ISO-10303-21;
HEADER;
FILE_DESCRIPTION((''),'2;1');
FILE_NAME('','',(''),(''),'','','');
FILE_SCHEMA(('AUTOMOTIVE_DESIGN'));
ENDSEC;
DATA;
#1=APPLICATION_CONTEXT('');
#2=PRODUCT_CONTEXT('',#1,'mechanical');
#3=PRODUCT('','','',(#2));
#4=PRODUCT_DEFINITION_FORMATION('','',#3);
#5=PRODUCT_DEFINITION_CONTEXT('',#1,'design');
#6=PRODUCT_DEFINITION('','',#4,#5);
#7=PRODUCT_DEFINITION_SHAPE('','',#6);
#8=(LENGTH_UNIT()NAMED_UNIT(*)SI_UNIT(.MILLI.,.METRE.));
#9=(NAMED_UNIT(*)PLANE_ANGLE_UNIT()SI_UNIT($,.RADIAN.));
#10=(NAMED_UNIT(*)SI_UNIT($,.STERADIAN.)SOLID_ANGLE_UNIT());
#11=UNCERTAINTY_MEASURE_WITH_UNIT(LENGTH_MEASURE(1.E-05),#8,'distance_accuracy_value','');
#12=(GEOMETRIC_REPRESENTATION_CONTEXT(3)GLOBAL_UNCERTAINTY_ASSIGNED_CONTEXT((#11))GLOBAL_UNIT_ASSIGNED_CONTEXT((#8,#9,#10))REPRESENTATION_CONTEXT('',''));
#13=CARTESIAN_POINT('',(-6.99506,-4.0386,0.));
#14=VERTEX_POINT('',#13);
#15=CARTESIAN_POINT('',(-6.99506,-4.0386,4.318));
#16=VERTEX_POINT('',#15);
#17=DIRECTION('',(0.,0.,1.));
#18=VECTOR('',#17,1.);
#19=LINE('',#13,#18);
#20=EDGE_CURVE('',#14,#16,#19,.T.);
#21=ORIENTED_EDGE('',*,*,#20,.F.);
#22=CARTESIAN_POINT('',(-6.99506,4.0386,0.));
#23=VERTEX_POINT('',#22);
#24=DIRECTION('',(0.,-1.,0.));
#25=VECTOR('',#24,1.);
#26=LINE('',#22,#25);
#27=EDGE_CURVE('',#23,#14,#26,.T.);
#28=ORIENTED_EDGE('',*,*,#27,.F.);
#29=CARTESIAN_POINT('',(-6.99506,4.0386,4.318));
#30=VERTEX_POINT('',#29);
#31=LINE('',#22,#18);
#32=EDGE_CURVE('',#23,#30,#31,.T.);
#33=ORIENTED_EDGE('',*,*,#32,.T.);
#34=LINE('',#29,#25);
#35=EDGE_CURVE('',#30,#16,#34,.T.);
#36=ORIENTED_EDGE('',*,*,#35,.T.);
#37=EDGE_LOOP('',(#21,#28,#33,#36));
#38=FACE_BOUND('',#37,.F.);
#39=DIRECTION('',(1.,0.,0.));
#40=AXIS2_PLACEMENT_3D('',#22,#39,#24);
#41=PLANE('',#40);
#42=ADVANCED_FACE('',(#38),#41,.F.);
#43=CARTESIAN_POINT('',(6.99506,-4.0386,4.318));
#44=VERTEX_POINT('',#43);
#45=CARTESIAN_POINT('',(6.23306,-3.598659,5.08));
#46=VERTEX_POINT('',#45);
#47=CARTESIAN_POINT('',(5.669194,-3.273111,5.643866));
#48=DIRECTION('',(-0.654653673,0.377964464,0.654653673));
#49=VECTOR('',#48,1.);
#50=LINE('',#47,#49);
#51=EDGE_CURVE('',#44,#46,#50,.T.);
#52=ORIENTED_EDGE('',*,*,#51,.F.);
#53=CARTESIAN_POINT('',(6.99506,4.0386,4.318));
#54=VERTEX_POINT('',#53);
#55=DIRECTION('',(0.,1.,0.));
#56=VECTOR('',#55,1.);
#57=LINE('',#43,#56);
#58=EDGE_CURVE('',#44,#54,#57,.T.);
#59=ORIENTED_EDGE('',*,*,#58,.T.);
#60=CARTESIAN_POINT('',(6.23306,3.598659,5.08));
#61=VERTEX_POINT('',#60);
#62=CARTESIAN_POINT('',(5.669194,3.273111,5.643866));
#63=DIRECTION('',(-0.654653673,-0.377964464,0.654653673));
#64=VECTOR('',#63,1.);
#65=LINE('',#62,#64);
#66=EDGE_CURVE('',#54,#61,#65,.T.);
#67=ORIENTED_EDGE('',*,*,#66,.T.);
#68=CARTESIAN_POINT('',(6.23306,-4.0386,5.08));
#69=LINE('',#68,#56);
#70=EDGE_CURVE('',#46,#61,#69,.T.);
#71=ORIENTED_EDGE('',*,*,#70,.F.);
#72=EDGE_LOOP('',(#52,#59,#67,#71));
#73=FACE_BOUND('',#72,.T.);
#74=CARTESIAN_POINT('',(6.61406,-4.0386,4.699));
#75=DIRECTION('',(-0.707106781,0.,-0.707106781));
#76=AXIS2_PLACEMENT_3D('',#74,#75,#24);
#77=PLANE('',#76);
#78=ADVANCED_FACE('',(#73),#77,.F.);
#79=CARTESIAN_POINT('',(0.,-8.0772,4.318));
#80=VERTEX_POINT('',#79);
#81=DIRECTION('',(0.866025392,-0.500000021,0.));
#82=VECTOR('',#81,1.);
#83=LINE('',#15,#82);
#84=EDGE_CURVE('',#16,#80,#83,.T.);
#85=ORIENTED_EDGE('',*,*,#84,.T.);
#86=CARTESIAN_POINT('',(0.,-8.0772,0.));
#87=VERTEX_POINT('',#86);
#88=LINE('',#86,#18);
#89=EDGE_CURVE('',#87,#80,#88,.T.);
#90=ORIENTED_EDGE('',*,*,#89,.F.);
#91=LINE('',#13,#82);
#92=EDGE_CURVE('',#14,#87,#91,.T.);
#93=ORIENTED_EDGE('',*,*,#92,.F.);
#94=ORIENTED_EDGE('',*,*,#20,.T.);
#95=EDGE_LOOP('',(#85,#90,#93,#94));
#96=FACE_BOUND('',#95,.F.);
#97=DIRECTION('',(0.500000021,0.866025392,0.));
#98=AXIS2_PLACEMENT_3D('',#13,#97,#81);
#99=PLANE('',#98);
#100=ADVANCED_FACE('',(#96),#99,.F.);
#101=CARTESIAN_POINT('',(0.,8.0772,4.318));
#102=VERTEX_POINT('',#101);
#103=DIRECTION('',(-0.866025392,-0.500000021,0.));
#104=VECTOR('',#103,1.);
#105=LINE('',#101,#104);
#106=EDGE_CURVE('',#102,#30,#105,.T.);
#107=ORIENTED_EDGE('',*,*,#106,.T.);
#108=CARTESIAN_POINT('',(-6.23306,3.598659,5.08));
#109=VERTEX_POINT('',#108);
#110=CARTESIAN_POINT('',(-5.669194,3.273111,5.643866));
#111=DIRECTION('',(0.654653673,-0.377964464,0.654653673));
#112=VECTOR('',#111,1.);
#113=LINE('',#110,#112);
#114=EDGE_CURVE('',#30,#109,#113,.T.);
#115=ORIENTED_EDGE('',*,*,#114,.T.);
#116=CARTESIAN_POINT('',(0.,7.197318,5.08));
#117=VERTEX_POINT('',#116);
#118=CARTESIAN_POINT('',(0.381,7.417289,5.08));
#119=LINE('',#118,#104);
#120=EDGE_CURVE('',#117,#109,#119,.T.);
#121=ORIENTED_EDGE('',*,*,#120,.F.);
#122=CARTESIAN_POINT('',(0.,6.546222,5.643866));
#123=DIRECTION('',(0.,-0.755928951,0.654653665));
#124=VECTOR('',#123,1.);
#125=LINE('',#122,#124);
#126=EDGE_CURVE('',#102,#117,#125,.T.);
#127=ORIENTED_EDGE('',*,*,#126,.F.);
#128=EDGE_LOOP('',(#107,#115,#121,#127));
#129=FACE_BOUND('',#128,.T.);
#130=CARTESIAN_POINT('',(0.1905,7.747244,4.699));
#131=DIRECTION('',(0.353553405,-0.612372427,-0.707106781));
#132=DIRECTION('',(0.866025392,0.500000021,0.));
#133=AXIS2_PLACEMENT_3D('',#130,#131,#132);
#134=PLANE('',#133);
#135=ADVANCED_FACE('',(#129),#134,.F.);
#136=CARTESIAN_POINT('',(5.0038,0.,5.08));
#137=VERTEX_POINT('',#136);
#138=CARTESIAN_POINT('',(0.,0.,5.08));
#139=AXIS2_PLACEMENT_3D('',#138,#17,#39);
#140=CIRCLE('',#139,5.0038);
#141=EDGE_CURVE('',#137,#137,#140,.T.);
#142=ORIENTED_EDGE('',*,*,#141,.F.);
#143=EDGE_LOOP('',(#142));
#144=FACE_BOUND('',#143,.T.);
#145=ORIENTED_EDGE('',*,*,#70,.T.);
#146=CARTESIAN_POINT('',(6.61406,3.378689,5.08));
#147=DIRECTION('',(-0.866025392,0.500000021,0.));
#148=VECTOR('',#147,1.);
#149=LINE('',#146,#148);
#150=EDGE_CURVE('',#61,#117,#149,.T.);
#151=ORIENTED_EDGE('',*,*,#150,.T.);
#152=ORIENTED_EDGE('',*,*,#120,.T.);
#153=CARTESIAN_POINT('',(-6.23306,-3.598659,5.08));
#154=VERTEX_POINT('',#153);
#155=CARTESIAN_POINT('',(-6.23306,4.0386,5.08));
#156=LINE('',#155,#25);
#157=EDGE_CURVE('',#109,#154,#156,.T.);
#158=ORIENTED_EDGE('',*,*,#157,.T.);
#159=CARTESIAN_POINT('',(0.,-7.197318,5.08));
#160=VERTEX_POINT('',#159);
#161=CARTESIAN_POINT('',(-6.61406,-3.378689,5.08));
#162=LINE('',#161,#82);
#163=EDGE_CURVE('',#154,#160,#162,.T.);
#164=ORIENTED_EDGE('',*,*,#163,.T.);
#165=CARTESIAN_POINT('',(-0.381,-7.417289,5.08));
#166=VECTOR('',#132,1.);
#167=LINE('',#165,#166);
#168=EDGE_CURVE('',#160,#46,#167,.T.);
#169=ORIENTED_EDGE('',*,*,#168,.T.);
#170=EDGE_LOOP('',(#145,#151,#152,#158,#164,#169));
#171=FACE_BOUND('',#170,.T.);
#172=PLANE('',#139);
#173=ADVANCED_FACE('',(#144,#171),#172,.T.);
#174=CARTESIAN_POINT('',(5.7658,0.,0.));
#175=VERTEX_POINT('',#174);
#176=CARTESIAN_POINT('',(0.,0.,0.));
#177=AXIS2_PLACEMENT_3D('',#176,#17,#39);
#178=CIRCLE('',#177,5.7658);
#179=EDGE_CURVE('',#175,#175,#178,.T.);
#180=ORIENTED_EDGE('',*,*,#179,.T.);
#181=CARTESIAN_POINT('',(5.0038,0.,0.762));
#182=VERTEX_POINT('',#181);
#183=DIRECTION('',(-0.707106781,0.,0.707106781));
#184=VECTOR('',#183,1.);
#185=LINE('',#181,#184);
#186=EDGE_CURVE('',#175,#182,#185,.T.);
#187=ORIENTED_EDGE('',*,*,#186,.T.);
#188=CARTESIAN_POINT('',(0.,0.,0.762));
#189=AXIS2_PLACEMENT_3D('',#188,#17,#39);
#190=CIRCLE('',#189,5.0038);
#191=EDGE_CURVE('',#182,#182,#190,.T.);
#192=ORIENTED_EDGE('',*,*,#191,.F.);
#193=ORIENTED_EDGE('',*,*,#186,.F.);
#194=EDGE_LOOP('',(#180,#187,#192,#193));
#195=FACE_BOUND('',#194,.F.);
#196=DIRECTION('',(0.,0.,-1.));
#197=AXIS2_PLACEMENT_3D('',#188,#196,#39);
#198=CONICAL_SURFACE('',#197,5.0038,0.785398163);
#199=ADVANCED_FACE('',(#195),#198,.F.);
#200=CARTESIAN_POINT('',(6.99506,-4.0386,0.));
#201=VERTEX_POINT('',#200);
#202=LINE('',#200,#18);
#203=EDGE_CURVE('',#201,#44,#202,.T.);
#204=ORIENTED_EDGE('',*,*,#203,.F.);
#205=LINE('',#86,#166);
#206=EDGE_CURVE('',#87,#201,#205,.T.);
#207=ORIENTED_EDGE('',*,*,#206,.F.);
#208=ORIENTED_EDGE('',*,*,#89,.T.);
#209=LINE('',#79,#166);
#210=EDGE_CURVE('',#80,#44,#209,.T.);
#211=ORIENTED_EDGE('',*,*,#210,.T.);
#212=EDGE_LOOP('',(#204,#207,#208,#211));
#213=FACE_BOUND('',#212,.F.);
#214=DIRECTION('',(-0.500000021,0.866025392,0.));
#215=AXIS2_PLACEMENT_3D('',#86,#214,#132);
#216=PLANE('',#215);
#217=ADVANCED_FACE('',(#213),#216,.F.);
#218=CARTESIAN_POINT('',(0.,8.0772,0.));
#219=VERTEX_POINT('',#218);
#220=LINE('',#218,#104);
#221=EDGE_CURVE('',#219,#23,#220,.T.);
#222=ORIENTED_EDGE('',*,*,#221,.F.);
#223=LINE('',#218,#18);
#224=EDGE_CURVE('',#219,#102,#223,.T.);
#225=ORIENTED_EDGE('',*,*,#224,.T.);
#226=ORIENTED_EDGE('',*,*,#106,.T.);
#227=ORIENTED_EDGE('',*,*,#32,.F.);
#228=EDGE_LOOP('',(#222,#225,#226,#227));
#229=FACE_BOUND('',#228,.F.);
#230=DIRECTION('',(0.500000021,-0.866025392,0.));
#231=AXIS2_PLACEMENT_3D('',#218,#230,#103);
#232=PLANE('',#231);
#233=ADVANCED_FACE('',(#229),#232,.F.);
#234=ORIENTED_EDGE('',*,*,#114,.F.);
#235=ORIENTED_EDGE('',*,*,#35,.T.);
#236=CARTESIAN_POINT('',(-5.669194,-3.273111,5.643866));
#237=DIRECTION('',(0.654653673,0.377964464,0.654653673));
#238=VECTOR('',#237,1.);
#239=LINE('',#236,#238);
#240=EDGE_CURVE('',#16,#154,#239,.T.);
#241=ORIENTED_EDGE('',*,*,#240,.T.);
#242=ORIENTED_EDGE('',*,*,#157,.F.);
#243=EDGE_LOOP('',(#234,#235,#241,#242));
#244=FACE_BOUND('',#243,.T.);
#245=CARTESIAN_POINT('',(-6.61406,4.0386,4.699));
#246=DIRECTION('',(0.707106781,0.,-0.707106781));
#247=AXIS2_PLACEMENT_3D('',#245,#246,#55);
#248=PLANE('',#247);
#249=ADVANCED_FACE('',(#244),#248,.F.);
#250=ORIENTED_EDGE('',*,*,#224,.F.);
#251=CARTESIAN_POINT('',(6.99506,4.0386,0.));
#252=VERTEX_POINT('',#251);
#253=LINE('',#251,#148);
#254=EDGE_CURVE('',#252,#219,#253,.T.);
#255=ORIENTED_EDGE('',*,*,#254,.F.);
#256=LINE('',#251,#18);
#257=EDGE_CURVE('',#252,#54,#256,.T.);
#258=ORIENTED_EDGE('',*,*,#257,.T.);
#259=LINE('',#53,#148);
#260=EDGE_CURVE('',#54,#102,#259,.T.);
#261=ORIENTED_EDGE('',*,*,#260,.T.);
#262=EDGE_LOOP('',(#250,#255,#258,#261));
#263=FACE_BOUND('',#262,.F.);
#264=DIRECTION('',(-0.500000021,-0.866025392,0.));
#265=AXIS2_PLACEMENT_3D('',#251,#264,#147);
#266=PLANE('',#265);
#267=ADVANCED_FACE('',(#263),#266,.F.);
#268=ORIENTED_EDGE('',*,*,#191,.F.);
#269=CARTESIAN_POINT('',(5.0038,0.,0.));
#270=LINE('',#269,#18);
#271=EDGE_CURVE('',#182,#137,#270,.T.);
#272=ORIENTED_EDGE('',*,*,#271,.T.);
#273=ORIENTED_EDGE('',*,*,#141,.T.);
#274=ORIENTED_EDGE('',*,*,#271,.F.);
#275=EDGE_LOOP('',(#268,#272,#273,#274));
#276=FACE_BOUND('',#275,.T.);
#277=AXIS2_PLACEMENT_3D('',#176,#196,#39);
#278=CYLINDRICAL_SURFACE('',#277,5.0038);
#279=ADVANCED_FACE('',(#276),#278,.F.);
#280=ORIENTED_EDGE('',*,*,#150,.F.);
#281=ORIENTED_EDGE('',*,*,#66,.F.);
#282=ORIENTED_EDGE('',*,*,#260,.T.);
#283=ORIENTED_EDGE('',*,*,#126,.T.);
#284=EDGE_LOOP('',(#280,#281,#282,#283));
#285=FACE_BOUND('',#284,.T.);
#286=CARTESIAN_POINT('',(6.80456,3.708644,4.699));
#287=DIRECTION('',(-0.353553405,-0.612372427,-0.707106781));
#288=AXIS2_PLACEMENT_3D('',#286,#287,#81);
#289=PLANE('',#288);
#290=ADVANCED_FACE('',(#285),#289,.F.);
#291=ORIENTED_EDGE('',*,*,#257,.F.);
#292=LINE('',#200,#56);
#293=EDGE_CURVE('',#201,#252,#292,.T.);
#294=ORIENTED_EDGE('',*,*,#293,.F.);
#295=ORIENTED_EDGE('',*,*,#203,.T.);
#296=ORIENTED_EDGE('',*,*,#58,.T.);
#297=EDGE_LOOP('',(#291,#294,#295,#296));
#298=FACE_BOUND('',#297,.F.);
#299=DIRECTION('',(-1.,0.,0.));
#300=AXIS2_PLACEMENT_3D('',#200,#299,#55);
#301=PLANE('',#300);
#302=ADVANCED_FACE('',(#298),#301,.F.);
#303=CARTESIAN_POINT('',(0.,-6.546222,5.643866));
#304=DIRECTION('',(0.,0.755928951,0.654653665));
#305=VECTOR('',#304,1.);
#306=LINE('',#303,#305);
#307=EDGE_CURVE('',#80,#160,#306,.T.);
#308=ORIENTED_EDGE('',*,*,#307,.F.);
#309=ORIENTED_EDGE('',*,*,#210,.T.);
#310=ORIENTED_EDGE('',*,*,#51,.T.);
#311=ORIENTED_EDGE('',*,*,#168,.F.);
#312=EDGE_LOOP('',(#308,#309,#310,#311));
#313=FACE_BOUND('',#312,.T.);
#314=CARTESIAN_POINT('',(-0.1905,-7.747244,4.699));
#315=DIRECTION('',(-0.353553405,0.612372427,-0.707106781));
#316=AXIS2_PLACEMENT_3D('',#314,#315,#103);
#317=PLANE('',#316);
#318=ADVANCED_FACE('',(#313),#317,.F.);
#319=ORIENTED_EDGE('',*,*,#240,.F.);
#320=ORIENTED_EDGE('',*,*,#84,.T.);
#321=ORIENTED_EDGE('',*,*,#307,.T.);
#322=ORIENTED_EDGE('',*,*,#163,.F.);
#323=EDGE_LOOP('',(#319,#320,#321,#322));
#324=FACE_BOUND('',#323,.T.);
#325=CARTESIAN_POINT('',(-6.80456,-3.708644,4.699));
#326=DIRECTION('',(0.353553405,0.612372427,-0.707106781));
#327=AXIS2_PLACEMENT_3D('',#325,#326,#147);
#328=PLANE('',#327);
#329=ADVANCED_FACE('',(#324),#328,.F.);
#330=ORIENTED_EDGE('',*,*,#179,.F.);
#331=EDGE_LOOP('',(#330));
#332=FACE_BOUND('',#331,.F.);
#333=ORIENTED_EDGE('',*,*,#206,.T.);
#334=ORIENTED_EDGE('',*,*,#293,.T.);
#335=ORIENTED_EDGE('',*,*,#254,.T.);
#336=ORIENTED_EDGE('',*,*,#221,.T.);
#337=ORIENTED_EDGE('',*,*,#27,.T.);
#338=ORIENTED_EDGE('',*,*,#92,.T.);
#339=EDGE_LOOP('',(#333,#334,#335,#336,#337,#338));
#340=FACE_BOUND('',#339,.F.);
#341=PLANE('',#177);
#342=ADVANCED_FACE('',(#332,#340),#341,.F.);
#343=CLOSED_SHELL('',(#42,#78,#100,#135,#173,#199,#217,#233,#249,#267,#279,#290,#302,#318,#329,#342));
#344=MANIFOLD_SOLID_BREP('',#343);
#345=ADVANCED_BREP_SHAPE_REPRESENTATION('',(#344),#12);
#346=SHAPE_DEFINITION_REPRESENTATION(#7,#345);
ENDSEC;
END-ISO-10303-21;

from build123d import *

# Parameters (mm, degrees)
F0_R     = 5.0038
F1_DEPTH = 5.08
F2_SIZE  = 0.762
F3_SIZE  = 0.762


with BuildPart() as f1:
    # F0 (on Top) → F1 (new body)
    with BuildSketch(Plane.XY):
        Polygon((0, 8.0772), (-6.99506, 4.0386), (-6.99506, -4.0386), (0, -8.0772), (6.99506, -4.0386), (6.99506, 4.0386), align=None)
        Circle(F0_R, mode=Mode.SUBTRACT)
    extrude(amount=F1_DEPTH)

    # F2
    f2_edges = [f1.edges().sort_by_distance(p)[0] for p in [
        (-3.49753, 6.0579, 5.08),
        (-6.99506, 0, 5.08),
        (-3.49753, -6.0579, 5.08),
        (3.49753, -6.0579, 5.08),
        (6.99506, 0, 5.08),
        (3.49753, 6.0579, 5.08),
    ]]
    chamfer(f2_edges, length=F2_SIZE)

    # F3
    f3_edges = [f1.edges().sort_by_distance(p)[0] for p in [
        (-5.0038, 0, 0),
    ]]
    chamfer(f3_edges, length=F3_SIZE)


solid = f1.part
